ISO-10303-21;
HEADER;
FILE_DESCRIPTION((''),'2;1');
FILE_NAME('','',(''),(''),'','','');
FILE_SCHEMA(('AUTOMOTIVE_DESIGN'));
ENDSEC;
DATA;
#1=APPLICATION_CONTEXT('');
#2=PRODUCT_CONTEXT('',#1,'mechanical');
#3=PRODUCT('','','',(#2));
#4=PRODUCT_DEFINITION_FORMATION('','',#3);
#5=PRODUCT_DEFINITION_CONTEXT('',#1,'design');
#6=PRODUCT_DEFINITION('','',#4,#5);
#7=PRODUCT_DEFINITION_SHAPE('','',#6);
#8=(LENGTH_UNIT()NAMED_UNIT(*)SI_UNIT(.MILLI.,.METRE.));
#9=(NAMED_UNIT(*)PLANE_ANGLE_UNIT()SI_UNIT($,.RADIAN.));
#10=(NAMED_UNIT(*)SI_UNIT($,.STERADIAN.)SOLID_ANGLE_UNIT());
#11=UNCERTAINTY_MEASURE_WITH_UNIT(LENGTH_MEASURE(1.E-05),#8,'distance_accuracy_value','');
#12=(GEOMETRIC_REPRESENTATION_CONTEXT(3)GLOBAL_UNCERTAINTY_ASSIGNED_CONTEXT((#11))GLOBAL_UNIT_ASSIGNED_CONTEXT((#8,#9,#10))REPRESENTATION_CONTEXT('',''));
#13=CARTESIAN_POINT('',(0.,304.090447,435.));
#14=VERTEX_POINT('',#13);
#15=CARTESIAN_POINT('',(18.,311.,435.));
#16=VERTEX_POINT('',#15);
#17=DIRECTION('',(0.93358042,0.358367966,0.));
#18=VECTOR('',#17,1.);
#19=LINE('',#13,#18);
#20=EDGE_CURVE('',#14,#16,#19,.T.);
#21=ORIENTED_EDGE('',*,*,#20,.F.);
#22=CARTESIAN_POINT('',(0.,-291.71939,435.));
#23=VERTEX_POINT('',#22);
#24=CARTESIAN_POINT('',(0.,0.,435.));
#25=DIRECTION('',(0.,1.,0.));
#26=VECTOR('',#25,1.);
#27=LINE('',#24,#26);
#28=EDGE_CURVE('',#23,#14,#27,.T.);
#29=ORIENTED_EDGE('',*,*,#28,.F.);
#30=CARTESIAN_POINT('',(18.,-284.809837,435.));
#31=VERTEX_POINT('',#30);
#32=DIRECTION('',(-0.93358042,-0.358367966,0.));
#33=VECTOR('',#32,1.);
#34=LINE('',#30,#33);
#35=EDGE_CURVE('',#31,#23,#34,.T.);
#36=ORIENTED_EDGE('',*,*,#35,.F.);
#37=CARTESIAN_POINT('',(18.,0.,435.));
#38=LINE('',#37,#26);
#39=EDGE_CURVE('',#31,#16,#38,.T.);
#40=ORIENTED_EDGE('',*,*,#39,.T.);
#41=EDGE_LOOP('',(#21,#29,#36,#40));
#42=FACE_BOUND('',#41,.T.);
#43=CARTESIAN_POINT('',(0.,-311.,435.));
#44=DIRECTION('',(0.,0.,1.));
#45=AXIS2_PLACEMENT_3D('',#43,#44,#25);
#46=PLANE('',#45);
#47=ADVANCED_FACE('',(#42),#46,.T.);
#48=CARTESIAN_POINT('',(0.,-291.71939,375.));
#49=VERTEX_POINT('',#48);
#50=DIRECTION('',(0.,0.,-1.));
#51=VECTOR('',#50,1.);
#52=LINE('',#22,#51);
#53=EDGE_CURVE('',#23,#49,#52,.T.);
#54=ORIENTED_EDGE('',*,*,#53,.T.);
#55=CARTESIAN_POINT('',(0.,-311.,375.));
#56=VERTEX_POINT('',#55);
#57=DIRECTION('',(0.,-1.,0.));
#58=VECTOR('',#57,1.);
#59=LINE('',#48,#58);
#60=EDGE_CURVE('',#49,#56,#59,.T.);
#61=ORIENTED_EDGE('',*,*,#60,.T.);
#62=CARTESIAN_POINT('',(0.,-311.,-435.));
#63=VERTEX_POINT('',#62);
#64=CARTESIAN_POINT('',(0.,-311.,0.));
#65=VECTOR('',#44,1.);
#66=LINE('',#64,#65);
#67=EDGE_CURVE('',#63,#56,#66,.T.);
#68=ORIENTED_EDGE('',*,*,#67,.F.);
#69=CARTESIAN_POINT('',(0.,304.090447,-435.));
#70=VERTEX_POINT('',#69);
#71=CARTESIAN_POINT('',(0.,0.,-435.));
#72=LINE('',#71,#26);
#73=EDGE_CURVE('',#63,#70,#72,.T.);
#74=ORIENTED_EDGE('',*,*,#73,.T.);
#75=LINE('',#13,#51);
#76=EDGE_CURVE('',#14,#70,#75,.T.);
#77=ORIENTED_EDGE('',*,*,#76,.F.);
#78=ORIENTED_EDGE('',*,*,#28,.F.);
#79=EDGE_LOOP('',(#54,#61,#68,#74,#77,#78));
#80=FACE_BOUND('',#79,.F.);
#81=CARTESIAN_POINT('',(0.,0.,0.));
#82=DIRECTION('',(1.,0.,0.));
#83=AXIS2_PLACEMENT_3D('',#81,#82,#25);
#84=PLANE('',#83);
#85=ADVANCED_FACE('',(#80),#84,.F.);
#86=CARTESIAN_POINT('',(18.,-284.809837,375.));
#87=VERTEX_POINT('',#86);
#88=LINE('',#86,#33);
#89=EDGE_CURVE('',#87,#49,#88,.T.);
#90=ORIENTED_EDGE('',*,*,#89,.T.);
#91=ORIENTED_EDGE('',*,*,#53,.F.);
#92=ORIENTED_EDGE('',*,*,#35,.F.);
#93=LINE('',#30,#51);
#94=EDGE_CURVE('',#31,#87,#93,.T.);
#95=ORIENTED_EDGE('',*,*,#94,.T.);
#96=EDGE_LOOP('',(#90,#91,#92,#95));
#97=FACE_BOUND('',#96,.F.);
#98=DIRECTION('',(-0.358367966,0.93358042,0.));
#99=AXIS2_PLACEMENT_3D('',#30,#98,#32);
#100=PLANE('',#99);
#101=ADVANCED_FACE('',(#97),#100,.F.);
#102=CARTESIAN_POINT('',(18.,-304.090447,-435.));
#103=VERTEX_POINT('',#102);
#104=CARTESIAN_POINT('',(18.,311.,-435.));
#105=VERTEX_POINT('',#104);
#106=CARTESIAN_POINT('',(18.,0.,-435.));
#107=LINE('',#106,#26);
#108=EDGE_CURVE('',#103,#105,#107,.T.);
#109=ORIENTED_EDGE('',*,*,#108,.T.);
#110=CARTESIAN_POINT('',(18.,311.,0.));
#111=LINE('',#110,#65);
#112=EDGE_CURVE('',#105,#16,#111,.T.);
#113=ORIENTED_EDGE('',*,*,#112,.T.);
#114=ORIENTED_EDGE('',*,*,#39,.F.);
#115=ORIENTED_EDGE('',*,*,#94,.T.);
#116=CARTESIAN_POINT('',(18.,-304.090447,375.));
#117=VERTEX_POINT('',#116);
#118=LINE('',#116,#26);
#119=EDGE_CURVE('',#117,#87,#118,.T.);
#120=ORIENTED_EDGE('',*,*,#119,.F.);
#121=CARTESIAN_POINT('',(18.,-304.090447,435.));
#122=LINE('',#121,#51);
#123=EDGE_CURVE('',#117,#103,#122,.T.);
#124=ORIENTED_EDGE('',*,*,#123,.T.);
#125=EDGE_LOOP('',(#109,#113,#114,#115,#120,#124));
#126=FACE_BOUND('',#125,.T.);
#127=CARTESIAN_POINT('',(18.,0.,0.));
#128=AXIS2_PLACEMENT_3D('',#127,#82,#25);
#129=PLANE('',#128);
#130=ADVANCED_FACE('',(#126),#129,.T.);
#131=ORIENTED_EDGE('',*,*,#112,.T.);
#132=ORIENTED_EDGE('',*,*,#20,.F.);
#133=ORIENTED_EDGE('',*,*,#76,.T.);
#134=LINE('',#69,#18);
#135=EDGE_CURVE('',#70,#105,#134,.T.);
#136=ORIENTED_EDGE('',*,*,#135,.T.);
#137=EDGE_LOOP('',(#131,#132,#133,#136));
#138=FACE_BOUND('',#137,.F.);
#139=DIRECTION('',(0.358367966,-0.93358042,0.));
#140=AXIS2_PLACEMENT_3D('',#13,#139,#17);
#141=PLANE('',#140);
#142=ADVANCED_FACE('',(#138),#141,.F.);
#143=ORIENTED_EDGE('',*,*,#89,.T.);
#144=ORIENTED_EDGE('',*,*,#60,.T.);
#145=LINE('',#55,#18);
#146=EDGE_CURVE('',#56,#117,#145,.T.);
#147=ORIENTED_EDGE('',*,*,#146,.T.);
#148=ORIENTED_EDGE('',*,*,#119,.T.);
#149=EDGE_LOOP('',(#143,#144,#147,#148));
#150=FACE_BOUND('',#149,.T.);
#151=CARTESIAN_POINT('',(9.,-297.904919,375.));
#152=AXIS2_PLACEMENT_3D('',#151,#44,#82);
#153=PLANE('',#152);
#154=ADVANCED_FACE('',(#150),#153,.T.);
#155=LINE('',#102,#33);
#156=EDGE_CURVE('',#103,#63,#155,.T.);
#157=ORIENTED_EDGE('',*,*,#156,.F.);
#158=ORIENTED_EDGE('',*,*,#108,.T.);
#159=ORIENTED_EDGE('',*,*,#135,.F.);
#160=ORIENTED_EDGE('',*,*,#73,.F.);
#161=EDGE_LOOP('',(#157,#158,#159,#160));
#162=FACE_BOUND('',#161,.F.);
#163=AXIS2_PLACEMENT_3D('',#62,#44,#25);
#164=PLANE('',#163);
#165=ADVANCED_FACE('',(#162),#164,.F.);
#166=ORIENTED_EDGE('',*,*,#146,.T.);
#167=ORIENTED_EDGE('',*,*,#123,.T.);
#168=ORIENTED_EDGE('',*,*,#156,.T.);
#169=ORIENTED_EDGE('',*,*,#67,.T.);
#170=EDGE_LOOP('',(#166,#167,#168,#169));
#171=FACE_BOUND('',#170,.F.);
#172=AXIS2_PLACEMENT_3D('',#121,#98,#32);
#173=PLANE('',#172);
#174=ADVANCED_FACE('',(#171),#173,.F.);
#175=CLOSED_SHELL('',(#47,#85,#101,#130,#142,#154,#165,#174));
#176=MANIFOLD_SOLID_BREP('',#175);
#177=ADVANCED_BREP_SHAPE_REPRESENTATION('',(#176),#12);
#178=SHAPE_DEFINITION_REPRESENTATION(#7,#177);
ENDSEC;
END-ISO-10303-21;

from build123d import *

# Parameters (mm, degrees)
F0_W     = 622
F0_H     = 870
F1_DEPTH = 18
F3_DEPTH = 870
F5_DEPTH = 60


with BuildPart() as f1:
    # F0 (on Right) → F1 (new body)
    with BuildSketch(Plane.YZ):
        Rectangle(F0_W, F0_H)
    extrude(amount=F1_DEPTH)

    # F2 (on face) → F3 (cut)
    with BuildSketch(Plane.XY.offset(435)):
        Polygon((0, 304.090447), (18, 311), (0, 311), align=None)
        Polygon((18, -304.090447), (0, -311), (18, -311), align=None)
    extrude(amount=-F3_DEPTH, mode=Mode.SUBTRACT)

    # F4 (on face) → F5 (cut)
    with BuildSketch(Plane.XY.offset(435)):
        Polygon((0, -291.71939), (0, -311), (18, -304.090447), (18, -284.809837), align=None)
    extrude(amount=-F5_DEPTH, mode=Mode.SUBTRACT)


solid = f1.part
